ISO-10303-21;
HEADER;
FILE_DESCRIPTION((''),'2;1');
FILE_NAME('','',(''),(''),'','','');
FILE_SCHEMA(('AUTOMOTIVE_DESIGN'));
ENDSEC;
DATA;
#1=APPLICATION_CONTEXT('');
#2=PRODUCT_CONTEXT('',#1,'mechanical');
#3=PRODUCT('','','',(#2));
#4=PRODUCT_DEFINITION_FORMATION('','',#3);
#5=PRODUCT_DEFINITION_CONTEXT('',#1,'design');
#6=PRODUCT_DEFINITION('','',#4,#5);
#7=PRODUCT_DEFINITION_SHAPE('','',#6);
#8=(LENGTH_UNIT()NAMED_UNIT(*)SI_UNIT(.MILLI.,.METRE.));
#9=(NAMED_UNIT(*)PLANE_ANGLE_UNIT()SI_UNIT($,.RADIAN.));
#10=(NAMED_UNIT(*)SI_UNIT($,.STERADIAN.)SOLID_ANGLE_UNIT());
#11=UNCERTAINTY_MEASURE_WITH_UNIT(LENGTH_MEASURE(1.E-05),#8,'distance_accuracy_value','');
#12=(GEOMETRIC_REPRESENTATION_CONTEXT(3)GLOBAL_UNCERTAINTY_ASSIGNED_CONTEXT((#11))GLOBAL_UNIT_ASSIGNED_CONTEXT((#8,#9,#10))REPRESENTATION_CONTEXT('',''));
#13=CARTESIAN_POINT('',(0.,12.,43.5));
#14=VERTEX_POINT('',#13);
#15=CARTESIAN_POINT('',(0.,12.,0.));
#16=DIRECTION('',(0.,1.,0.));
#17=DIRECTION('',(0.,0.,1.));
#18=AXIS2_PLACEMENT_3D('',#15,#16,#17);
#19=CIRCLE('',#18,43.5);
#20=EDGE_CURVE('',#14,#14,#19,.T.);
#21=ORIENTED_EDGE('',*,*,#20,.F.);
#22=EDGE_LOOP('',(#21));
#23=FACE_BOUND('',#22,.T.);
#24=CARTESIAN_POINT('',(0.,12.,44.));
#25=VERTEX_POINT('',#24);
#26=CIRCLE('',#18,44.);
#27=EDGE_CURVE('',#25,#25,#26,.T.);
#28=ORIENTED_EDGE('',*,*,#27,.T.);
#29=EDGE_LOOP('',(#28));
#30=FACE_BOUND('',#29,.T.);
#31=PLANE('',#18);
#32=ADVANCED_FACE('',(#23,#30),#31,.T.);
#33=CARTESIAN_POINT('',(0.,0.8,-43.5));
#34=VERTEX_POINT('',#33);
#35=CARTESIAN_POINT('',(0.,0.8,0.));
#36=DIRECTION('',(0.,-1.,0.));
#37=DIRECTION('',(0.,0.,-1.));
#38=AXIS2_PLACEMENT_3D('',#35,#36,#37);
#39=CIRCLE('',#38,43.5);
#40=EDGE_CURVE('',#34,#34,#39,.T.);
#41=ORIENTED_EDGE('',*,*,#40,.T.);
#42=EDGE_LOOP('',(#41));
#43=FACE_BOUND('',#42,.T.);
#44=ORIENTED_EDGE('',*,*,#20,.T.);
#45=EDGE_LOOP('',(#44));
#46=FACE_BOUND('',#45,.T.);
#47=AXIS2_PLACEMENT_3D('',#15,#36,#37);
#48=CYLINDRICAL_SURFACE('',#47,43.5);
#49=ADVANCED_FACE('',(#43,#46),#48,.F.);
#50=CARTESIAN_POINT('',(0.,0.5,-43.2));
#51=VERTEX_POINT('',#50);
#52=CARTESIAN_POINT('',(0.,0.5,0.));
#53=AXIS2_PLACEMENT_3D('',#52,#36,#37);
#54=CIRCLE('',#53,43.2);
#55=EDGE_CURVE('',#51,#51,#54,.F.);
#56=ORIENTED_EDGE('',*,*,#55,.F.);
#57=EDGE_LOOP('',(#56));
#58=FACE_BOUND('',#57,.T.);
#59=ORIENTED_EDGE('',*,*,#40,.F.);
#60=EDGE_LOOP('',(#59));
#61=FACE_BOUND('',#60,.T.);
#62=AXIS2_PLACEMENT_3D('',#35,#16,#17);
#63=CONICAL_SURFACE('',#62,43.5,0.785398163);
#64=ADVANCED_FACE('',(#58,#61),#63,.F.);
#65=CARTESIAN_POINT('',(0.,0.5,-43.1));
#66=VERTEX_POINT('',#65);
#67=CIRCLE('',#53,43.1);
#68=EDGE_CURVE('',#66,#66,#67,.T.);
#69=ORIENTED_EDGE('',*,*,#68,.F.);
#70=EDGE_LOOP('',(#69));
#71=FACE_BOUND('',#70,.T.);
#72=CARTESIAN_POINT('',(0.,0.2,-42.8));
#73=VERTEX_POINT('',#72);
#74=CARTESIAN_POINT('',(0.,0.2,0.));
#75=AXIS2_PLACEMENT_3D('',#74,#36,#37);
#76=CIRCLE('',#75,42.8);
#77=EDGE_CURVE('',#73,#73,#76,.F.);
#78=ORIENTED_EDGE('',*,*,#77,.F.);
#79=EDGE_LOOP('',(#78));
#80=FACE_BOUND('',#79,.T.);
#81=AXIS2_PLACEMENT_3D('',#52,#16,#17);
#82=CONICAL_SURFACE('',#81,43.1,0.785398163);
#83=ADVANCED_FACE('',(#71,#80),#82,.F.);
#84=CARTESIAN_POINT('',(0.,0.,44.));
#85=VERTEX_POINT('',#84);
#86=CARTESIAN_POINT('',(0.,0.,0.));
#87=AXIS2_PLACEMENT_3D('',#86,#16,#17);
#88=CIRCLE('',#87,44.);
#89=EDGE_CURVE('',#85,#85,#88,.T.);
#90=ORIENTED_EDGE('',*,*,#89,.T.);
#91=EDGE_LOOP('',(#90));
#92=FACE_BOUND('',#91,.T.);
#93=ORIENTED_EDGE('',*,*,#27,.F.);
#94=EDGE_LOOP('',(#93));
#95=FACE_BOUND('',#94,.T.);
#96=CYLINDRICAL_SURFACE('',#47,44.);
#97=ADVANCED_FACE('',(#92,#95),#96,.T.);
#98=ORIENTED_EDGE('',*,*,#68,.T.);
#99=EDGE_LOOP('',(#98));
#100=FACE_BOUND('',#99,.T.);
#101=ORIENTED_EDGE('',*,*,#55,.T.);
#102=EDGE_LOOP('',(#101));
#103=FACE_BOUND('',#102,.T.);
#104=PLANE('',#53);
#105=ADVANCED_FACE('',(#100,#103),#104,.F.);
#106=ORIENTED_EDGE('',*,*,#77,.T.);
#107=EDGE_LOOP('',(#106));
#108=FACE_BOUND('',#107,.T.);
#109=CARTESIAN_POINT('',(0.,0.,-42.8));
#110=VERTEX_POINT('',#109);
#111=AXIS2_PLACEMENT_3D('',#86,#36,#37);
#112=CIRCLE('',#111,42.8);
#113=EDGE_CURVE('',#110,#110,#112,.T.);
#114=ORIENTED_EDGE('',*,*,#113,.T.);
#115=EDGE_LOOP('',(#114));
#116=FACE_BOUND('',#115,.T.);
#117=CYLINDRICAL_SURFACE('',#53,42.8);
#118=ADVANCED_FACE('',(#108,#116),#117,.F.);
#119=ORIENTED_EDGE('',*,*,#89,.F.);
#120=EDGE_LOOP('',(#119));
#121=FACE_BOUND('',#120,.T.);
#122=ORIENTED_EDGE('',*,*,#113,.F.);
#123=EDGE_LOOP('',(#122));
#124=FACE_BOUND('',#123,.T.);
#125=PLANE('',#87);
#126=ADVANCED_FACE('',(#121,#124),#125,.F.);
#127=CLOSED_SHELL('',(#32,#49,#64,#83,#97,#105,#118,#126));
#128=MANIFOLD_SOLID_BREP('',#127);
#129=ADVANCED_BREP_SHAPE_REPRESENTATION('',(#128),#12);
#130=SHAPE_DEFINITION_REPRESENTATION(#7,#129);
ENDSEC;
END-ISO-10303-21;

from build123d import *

# Parameters (mm, degrees)
CROQUIS1_R              = 44
CROQUIS1_R_2            = 43.5
SALIENTE_EXTRUIR1_DEPTH = 12
CROQUIS2_R              = 44
CROQUIS2_R_2            = 42.8
SALIENTE_EXTRUIR2_DEPTH = 0.5
CHAFL_N1_SIZE           = 0.3


with BuildPart() as part:
    # Croquis1 → Saliente-Extruir1 (new body)
    with BuildSketch(Plane(origin=(0, 0, 0), x_dir=(1, 0, 0), z_dir=(0, 1, 0))):
        with Locations(Location((0, 0, 0), (0, 0, 270))):
            Circle(CROQUIS1_R)
        with Locations(Location((0, 0, 0), (0, 0, 270))):
            Circle(CROQUIS1_R_2, mode=Mode.SUBTRACT)
    extrude(amount=SALIENTE_EXTRUIR1_DEPTH)

    # Croquis2 → Saliente-Extruir2 (add)
    with BuildSketch(Plane.XZ):
        with Locations(Location((0, 0, 0), (0, 0, 90))):
            Circle(CROQUIS2_R)
        with Locations(Location((0, 0, 0), (0, 0, 270))):
            Circle(CROQUIS2_R_2, mode=Mode.SUBTRACT)
    extrude(amount=-SALIENTE_EXTRUIR2_DEPTH)

    # Chaflán1
    chafl_n1_edges = [part.edges().sort_by_distance(p)[0] for p in [
        (0, 0.5, 42.8),
        (0, 0.5, -43.5),
    ]]
    chamfer(chafl_n1_edges, length=CHAFL_N1_SIZE)


solid = part.part
